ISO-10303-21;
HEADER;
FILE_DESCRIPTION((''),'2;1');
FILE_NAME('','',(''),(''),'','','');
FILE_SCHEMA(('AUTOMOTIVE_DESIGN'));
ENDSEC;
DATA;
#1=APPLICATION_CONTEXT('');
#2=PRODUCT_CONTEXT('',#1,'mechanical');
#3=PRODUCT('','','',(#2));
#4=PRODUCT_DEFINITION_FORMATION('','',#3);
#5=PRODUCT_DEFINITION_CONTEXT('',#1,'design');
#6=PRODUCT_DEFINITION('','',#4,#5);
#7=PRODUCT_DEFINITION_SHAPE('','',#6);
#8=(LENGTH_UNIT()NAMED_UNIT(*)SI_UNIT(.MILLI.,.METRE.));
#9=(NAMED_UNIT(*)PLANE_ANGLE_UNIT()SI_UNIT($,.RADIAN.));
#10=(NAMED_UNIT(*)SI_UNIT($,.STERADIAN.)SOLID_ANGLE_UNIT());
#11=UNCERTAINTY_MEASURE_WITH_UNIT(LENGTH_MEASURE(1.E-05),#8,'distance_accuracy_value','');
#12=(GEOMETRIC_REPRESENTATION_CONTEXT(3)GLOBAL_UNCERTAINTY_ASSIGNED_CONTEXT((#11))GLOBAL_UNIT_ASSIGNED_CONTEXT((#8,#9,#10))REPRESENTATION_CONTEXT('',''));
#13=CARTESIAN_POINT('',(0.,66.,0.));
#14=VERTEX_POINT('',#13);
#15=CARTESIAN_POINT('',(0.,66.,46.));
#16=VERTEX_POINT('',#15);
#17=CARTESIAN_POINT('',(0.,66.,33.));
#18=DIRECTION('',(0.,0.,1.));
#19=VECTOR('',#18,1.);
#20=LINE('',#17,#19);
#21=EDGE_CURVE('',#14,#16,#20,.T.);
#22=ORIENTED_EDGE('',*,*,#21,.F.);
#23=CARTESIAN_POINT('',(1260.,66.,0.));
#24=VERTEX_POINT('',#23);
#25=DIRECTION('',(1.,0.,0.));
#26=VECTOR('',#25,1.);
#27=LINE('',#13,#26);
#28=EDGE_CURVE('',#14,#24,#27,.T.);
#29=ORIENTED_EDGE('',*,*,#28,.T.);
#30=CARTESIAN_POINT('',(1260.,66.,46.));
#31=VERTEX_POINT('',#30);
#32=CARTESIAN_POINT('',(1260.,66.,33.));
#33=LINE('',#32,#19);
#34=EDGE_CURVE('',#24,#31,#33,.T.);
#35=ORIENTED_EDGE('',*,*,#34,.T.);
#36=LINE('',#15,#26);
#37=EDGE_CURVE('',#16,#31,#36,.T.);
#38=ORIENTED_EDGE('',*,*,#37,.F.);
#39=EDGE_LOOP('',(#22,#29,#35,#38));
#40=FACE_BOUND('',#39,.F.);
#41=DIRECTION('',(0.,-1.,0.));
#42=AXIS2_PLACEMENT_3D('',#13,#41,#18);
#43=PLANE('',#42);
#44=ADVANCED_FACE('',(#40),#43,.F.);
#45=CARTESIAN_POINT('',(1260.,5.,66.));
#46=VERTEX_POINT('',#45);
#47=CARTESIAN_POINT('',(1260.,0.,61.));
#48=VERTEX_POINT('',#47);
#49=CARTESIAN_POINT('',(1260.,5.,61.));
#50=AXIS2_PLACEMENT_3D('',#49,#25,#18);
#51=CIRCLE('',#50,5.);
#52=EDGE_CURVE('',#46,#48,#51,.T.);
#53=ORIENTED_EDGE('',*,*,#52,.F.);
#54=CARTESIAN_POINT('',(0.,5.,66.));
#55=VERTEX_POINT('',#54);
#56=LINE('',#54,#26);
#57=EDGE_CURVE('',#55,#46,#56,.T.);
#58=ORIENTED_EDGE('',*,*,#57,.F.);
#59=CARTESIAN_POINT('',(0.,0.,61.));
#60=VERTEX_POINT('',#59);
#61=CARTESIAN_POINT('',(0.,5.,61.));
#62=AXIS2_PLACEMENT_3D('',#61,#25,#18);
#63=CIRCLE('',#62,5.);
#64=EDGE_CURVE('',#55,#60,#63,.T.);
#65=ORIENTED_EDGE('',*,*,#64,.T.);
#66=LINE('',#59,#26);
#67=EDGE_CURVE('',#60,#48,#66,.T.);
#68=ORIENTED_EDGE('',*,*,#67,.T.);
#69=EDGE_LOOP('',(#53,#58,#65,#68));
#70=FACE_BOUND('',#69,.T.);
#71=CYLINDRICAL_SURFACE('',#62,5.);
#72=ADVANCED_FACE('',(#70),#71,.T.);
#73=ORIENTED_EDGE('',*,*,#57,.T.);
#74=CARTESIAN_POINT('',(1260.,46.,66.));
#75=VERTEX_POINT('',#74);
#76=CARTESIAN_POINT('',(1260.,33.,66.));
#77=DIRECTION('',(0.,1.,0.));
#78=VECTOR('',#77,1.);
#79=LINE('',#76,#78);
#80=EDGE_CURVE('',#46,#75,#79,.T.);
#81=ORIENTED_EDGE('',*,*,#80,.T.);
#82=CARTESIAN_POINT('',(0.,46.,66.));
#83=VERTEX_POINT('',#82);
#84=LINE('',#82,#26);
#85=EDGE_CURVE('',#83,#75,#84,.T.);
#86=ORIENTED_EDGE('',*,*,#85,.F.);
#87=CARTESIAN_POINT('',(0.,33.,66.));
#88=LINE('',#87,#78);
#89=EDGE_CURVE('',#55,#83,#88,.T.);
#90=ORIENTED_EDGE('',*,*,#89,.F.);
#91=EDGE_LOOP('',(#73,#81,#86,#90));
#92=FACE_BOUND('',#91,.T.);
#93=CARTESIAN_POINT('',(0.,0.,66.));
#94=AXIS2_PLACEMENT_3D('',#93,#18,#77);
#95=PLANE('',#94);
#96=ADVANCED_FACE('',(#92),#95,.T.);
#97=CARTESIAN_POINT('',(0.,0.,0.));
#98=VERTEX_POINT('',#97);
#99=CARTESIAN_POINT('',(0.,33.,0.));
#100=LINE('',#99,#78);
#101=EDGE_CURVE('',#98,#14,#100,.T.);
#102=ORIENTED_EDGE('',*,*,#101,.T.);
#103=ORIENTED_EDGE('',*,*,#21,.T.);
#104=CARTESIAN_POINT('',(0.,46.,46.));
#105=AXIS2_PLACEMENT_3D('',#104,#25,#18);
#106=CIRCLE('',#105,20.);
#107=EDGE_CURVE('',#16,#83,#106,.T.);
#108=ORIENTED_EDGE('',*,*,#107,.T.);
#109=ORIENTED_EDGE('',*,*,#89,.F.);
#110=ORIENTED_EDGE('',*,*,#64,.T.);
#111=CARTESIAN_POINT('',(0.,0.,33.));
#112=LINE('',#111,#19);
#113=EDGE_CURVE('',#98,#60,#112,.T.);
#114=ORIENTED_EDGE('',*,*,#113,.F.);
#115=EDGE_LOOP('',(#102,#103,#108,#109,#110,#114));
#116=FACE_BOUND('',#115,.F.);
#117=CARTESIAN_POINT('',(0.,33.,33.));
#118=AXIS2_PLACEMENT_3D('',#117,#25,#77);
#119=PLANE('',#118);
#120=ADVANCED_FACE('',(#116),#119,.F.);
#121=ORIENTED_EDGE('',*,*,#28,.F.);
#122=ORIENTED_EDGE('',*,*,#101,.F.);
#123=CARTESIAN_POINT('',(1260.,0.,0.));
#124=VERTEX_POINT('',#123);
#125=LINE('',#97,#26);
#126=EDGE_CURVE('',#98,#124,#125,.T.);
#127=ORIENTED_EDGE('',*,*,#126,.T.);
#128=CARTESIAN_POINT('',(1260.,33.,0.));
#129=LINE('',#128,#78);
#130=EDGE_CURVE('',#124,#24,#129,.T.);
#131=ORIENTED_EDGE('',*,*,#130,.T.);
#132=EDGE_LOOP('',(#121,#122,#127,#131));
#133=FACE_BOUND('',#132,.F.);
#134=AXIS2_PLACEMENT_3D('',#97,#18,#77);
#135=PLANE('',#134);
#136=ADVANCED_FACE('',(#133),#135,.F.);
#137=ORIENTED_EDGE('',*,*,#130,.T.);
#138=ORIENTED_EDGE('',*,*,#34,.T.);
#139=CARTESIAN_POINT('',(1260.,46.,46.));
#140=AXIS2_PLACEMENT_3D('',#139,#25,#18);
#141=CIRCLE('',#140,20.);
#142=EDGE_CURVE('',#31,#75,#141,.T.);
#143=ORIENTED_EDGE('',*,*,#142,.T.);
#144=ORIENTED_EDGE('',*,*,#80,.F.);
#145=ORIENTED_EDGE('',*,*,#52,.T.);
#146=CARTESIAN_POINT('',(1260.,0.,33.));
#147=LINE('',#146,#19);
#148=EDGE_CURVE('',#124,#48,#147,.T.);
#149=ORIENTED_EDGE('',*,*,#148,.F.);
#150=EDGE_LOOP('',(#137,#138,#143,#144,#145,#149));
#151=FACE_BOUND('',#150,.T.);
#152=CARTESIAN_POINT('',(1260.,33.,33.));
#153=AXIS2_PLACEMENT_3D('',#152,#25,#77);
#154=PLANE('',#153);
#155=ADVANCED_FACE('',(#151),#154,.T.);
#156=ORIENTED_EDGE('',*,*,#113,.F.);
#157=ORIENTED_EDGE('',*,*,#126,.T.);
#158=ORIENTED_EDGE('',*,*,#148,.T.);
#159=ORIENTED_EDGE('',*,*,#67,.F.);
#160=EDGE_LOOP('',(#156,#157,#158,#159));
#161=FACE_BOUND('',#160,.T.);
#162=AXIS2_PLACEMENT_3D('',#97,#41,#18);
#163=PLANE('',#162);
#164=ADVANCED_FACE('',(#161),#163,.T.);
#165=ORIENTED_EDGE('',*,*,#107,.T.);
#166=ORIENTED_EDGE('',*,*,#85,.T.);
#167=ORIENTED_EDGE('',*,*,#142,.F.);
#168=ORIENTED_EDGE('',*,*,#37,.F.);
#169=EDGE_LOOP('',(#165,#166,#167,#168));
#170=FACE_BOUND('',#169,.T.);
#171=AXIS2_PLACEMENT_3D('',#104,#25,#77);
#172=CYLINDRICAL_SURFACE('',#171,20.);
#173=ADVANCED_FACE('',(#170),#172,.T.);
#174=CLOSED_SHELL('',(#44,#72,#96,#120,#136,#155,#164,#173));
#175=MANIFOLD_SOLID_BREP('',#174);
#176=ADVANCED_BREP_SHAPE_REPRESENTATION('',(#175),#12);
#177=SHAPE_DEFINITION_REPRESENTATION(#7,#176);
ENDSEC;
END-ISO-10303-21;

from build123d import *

# Parameters (mm, degrees)
F0_W     = 66
F0_H     = 66
F1_DEPTH = 1260
F2_R     = 20
F3_R     = 5


with BuildPart() as f1:
    # F0 (on Right) → F1 (new body)
    with BuildSketch(Plane.YZ):
        with Locations((33, 33)):
            Rectangle(F0_W, F0_H)
    extrude(amount=F1_DEPTH)

    # F2
    f2_edges = [f1.edges().sort_by_distance(p)[0] for p in [
        (630, 66, 66),
    ]]
    fillet(f2_edges, radius=F2_R)

    # F3
    f3_edges = [f1.edges().sort_by_distance(p)[0] for p in [
        (630, 0, 66),
    ]]
    fillet(f3_edges, radius=F3_R)


solid = f1.part
